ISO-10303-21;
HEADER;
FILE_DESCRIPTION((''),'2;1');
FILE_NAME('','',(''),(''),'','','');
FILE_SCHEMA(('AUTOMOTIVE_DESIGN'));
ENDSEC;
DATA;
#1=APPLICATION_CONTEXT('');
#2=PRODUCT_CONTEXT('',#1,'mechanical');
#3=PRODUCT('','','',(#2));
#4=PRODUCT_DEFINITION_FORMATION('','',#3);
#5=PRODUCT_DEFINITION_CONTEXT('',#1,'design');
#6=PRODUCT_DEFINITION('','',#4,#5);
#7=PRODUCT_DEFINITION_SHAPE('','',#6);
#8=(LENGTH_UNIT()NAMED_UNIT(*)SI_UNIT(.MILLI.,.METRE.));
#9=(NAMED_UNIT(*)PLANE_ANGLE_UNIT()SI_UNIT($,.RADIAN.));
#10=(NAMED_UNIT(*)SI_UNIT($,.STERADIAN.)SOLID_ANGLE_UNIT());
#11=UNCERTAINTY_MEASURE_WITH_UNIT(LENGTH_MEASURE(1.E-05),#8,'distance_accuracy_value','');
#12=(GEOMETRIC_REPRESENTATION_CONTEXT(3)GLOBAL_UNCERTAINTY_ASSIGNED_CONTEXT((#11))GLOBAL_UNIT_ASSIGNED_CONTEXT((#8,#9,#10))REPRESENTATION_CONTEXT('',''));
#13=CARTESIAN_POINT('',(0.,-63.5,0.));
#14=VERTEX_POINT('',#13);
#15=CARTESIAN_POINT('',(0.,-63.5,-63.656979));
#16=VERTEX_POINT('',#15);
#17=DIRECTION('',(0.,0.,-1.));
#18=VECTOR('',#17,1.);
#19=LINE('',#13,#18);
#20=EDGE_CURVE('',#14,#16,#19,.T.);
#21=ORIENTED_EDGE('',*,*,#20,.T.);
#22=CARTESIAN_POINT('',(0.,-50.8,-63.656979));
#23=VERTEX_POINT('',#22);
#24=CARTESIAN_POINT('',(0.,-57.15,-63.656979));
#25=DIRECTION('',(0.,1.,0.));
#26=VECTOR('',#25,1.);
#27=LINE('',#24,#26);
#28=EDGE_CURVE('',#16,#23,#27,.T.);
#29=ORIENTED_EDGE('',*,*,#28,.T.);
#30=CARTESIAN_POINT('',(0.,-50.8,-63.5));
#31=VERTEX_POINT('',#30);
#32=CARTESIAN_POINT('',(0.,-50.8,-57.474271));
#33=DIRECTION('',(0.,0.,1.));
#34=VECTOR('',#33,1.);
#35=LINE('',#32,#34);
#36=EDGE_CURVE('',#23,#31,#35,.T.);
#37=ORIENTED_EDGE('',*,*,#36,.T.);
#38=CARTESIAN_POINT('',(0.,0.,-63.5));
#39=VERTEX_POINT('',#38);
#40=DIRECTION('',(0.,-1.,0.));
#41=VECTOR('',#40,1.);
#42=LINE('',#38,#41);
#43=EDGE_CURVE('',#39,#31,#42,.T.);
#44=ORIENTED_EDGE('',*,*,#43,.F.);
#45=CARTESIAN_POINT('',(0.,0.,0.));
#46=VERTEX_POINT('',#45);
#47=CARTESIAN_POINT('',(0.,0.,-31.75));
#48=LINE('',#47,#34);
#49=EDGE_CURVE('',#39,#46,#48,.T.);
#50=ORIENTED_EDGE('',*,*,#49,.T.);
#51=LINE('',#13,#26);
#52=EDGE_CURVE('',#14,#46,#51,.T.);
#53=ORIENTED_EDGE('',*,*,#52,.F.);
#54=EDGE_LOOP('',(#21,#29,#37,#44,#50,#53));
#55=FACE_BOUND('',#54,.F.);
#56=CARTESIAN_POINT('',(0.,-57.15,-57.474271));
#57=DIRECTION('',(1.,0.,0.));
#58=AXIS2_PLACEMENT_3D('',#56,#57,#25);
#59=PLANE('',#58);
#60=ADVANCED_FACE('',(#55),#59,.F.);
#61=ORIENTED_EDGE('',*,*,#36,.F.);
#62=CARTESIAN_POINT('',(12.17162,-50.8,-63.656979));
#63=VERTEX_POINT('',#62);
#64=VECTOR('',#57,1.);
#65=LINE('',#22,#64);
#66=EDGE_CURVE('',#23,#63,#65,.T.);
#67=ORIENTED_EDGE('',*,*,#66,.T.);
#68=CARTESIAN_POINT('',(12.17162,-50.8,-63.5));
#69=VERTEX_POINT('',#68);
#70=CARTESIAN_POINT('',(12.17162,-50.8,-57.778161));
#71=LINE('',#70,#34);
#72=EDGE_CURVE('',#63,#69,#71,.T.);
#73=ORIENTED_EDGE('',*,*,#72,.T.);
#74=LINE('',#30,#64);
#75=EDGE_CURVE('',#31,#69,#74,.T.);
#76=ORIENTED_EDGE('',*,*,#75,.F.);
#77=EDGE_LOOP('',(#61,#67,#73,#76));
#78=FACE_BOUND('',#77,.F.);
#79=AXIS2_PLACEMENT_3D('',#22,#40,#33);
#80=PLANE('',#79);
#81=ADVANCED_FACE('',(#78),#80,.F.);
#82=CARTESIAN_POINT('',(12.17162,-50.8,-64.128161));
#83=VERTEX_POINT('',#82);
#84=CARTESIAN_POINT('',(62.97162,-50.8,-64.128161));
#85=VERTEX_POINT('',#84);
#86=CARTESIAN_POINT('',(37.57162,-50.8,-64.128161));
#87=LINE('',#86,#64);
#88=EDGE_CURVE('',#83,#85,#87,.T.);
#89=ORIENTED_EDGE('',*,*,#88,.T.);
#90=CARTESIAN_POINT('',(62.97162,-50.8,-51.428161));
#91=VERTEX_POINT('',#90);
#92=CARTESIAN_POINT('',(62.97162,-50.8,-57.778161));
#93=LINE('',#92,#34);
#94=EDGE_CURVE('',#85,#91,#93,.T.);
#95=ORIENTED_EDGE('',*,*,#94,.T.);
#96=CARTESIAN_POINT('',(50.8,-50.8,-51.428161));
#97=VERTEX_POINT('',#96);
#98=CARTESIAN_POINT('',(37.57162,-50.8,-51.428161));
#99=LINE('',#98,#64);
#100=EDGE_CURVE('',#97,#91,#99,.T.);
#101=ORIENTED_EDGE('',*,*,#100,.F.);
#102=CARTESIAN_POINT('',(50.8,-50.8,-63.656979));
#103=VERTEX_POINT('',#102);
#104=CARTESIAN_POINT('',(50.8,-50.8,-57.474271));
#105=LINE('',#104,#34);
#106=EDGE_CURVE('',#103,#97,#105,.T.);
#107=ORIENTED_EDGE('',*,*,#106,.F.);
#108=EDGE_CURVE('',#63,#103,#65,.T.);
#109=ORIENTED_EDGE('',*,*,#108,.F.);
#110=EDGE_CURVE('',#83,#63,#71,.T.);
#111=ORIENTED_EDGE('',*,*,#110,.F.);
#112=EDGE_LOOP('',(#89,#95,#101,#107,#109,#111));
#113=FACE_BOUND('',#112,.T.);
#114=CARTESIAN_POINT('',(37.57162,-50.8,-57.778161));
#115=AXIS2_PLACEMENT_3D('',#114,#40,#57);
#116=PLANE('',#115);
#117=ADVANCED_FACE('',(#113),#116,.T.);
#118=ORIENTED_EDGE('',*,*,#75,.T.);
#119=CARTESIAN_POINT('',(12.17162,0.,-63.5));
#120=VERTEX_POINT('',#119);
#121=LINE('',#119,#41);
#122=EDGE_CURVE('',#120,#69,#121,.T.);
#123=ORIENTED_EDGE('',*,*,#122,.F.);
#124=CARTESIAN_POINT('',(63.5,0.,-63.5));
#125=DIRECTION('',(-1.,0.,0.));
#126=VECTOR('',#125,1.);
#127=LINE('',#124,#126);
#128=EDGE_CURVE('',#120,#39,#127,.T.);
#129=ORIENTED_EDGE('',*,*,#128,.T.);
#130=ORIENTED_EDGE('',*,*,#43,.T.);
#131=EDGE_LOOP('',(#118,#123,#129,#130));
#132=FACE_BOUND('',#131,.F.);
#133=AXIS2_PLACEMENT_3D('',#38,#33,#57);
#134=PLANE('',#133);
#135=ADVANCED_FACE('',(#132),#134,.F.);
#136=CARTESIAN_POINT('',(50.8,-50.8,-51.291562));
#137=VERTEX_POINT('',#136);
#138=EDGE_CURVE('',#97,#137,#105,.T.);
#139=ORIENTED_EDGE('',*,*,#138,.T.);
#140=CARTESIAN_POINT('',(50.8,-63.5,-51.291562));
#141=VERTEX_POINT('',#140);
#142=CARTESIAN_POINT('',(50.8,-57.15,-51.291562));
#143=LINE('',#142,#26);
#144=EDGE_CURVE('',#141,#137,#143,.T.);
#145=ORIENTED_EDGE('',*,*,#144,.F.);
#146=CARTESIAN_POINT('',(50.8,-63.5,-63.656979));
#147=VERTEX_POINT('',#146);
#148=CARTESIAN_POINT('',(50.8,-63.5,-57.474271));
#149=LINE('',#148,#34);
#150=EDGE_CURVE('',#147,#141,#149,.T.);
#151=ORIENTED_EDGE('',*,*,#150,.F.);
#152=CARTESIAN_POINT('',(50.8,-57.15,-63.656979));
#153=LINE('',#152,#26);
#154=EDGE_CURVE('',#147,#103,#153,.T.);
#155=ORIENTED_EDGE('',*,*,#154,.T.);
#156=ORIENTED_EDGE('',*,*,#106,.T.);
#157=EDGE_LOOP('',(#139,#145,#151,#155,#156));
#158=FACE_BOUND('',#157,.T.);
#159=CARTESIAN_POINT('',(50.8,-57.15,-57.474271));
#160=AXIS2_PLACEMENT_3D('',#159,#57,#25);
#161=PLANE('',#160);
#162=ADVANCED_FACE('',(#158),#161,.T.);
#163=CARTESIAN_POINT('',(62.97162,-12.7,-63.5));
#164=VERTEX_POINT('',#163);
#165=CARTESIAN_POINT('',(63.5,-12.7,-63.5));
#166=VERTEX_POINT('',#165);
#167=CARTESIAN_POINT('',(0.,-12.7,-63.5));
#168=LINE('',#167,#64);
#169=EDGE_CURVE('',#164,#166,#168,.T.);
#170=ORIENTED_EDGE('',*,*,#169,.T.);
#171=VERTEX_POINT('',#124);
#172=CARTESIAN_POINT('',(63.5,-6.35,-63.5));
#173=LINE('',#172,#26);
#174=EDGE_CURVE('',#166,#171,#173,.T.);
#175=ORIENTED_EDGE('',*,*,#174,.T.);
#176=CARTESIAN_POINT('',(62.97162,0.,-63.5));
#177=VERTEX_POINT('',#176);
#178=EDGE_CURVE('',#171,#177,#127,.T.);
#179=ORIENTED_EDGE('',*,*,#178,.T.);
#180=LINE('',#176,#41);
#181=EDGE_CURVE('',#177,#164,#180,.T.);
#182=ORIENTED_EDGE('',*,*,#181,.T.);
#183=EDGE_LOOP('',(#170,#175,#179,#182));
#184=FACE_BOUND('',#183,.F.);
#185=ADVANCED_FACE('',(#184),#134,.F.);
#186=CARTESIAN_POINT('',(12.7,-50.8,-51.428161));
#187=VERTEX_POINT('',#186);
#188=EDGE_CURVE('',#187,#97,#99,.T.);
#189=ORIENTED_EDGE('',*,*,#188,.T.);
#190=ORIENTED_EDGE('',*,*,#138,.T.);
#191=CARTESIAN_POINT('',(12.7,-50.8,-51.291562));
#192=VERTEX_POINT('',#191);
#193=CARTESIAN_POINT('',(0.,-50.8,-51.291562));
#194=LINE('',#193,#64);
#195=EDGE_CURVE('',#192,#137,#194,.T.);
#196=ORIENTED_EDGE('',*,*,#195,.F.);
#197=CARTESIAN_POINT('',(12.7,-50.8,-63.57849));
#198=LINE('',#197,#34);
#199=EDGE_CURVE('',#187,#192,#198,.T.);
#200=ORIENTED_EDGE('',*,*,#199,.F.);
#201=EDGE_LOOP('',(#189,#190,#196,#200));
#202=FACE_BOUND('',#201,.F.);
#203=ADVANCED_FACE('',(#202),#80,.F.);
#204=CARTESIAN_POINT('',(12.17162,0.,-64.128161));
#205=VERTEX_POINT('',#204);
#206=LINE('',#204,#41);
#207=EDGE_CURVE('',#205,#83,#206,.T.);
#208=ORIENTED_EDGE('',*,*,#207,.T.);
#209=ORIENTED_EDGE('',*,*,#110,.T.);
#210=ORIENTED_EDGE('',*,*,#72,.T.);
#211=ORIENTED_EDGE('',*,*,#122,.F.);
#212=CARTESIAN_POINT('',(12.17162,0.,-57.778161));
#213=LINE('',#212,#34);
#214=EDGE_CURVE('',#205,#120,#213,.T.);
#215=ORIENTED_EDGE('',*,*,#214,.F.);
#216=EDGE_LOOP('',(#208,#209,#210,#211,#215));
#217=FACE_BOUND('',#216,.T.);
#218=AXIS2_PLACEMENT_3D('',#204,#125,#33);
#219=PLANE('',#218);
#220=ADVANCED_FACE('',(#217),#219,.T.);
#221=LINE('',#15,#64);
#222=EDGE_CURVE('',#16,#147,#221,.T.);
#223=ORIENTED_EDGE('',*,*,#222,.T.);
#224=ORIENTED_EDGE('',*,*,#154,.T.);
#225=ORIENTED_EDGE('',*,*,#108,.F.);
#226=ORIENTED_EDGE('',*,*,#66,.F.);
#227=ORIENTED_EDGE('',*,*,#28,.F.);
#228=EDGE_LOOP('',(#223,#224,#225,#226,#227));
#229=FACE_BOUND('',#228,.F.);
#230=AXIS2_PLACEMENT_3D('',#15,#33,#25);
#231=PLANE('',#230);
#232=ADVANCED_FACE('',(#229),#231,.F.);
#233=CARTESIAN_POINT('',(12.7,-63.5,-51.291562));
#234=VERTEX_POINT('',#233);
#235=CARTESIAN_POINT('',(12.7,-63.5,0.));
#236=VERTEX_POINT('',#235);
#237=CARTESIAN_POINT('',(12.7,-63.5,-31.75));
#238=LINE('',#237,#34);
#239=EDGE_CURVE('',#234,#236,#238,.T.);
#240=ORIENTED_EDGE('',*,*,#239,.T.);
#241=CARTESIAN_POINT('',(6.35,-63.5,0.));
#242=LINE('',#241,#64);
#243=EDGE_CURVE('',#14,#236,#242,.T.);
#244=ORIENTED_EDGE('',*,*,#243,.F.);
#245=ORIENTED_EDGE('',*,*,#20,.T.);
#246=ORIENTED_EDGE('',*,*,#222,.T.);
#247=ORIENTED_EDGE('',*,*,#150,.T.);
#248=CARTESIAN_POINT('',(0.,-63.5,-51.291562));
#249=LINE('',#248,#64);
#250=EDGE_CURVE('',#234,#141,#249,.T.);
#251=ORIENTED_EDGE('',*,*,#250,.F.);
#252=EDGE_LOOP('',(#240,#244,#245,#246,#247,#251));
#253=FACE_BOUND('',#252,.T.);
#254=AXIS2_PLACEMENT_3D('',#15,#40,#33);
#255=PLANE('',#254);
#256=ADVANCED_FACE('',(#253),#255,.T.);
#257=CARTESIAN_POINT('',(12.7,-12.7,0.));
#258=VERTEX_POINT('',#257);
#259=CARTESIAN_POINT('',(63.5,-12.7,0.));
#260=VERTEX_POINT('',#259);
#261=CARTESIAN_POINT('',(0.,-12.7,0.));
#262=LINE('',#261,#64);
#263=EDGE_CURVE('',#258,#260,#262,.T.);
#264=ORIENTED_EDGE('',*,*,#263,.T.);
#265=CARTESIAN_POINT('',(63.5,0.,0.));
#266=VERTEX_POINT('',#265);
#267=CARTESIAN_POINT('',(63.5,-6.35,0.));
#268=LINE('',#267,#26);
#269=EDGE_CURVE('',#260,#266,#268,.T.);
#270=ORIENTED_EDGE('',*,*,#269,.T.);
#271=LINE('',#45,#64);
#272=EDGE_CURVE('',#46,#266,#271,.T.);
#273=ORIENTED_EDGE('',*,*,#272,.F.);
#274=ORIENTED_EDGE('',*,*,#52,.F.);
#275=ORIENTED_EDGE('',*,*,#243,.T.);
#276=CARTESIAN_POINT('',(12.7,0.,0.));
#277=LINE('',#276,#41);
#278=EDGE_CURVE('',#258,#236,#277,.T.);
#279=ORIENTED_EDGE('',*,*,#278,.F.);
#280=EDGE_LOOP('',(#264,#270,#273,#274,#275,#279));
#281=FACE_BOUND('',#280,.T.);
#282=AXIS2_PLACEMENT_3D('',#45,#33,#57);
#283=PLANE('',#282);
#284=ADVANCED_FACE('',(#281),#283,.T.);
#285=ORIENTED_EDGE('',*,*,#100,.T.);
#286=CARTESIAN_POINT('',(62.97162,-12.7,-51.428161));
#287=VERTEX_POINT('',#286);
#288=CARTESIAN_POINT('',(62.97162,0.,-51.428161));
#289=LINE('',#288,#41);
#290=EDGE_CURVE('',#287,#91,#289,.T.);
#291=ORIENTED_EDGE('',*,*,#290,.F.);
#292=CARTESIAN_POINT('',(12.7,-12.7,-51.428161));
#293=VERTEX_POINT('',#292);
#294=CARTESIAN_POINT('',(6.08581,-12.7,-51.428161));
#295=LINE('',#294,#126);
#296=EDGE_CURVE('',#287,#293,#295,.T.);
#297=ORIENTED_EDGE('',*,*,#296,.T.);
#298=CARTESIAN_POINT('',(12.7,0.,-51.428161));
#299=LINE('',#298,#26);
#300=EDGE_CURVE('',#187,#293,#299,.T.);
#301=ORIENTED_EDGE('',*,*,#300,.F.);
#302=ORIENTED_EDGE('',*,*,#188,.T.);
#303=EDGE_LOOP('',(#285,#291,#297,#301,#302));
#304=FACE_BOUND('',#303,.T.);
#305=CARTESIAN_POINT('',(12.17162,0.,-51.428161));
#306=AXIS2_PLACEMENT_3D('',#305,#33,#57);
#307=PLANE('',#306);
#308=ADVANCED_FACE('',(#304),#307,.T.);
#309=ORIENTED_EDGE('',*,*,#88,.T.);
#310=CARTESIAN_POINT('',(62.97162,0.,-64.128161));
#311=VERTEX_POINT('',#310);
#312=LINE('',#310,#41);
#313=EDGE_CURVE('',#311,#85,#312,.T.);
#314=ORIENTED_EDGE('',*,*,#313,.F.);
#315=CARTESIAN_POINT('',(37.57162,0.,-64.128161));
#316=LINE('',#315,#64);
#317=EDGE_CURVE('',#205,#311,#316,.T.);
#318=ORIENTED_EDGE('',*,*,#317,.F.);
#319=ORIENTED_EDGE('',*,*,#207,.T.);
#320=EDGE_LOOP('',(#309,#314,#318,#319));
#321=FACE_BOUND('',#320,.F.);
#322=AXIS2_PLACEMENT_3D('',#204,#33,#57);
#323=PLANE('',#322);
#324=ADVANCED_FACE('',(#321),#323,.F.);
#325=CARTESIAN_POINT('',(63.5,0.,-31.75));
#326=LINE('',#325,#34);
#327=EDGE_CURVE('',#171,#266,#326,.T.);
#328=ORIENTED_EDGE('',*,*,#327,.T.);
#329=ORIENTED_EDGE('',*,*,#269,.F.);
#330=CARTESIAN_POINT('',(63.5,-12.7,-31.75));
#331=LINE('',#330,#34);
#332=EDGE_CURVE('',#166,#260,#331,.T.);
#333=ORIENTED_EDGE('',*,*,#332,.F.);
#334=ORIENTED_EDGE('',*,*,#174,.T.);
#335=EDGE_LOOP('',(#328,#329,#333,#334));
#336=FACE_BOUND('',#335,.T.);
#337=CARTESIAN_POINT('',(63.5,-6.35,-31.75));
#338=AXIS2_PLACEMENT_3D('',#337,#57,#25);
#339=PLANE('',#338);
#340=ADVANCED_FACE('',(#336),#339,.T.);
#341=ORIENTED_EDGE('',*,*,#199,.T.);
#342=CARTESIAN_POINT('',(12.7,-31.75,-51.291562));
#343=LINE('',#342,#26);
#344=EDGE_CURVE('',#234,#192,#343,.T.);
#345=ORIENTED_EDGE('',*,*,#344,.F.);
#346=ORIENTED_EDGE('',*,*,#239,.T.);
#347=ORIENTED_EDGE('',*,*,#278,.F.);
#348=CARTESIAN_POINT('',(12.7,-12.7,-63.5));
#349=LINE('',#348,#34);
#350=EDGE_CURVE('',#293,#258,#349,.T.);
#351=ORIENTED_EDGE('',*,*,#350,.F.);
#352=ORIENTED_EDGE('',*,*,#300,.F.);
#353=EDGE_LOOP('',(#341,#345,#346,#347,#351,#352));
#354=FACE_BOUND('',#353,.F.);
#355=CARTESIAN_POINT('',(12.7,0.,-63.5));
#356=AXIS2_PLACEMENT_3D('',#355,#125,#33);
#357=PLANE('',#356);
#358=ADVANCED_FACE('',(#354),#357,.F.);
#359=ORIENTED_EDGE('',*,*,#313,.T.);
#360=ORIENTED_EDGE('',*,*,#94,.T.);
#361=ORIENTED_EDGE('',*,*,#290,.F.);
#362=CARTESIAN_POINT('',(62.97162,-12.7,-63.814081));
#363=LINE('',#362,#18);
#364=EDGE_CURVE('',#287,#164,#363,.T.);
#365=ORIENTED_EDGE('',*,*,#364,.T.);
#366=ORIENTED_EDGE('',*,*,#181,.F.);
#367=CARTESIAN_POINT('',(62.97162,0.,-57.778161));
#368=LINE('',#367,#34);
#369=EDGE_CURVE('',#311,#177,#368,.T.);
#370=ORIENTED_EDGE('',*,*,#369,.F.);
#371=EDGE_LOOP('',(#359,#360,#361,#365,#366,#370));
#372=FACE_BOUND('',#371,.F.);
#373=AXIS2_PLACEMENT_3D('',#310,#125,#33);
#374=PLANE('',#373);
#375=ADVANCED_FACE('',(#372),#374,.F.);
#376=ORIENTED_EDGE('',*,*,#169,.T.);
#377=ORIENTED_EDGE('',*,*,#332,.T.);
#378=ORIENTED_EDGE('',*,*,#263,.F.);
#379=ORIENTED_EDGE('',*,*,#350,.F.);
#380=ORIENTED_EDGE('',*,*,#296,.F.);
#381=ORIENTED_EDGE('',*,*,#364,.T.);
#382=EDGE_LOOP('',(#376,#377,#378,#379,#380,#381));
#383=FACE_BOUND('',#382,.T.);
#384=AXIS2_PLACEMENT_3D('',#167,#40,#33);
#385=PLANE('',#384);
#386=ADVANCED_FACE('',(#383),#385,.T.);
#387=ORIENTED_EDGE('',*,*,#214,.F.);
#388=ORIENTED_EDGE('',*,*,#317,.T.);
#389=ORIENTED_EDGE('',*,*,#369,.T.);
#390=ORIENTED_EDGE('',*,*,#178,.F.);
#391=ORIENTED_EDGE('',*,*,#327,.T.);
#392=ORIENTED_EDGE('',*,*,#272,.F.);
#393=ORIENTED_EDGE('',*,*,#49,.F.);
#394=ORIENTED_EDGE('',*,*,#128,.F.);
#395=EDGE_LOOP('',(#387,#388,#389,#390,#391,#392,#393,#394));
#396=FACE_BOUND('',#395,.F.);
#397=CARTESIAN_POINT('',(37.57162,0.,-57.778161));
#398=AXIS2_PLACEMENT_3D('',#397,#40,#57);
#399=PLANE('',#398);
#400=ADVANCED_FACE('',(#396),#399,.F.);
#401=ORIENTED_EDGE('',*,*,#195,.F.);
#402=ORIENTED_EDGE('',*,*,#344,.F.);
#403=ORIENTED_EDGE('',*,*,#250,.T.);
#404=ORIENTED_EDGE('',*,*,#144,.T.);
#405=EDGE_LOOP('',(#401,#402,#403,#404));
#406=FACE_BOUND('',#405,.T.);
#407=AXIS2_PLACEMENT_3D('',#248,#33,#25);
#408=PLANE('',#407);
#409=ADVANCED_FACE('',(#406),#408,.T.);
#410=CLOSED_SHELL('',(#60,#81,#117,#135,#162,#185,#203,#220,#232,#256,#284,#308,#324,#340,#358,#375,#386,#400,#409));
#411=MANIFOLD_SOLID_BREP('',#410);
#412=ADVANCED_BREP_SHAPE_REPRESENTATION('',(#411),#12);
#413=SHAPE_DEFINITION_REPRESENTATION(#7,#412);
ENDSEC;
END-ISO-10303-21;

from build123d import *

# Parameters (mm, degrees)
F0_W     = 12.7
F0_H     = 63.5
F1_DEPTH = 63.5
F2_W     = 12.7
F2_H     = 63.5
F3_DEPTH = 63.5
F4_W     = 50.8
F4_H     = 12.7
F5_DEPTH = 50.8
F6_W     = 12.7
F6_H     = 12.365417
F7_DEPTH = 50.8


with BuildPart() as f1:
    # F0 (on Front) → F1 (new body)
    with BuildSketch(Plane.XZ):
        with Locations((6.35, -31.75)):
            Rectangle(F0_W, F0_H)
    extrude(amount=F1_DEPTH)

    # F2 (on Right) → F3 (join)
    with BuildSketch(Plane.YZ):
        with Locations((-6.35, -31.75)):
            Rectangle(F2_W, F2_H)
    extrude(amount=F3_DEPTH)

    # F4 (on Front) → F5 (join)
    with BuildSketch(Plane.XZ):
        with Locations((37.57162, -57.778161)):
            Rectangle(F4_W, F4_H)
    extrude(amount=F5_DEPTH)

    # F6 (on Right) → F7 (join)
    with BuildSketch(Plane.YZ):
        with Locations((-57.15, -57.474271)):
            Rectangle(F6_W, F6_H)
    extrude(amount=F7_DEPTH)


solid = f1.part
